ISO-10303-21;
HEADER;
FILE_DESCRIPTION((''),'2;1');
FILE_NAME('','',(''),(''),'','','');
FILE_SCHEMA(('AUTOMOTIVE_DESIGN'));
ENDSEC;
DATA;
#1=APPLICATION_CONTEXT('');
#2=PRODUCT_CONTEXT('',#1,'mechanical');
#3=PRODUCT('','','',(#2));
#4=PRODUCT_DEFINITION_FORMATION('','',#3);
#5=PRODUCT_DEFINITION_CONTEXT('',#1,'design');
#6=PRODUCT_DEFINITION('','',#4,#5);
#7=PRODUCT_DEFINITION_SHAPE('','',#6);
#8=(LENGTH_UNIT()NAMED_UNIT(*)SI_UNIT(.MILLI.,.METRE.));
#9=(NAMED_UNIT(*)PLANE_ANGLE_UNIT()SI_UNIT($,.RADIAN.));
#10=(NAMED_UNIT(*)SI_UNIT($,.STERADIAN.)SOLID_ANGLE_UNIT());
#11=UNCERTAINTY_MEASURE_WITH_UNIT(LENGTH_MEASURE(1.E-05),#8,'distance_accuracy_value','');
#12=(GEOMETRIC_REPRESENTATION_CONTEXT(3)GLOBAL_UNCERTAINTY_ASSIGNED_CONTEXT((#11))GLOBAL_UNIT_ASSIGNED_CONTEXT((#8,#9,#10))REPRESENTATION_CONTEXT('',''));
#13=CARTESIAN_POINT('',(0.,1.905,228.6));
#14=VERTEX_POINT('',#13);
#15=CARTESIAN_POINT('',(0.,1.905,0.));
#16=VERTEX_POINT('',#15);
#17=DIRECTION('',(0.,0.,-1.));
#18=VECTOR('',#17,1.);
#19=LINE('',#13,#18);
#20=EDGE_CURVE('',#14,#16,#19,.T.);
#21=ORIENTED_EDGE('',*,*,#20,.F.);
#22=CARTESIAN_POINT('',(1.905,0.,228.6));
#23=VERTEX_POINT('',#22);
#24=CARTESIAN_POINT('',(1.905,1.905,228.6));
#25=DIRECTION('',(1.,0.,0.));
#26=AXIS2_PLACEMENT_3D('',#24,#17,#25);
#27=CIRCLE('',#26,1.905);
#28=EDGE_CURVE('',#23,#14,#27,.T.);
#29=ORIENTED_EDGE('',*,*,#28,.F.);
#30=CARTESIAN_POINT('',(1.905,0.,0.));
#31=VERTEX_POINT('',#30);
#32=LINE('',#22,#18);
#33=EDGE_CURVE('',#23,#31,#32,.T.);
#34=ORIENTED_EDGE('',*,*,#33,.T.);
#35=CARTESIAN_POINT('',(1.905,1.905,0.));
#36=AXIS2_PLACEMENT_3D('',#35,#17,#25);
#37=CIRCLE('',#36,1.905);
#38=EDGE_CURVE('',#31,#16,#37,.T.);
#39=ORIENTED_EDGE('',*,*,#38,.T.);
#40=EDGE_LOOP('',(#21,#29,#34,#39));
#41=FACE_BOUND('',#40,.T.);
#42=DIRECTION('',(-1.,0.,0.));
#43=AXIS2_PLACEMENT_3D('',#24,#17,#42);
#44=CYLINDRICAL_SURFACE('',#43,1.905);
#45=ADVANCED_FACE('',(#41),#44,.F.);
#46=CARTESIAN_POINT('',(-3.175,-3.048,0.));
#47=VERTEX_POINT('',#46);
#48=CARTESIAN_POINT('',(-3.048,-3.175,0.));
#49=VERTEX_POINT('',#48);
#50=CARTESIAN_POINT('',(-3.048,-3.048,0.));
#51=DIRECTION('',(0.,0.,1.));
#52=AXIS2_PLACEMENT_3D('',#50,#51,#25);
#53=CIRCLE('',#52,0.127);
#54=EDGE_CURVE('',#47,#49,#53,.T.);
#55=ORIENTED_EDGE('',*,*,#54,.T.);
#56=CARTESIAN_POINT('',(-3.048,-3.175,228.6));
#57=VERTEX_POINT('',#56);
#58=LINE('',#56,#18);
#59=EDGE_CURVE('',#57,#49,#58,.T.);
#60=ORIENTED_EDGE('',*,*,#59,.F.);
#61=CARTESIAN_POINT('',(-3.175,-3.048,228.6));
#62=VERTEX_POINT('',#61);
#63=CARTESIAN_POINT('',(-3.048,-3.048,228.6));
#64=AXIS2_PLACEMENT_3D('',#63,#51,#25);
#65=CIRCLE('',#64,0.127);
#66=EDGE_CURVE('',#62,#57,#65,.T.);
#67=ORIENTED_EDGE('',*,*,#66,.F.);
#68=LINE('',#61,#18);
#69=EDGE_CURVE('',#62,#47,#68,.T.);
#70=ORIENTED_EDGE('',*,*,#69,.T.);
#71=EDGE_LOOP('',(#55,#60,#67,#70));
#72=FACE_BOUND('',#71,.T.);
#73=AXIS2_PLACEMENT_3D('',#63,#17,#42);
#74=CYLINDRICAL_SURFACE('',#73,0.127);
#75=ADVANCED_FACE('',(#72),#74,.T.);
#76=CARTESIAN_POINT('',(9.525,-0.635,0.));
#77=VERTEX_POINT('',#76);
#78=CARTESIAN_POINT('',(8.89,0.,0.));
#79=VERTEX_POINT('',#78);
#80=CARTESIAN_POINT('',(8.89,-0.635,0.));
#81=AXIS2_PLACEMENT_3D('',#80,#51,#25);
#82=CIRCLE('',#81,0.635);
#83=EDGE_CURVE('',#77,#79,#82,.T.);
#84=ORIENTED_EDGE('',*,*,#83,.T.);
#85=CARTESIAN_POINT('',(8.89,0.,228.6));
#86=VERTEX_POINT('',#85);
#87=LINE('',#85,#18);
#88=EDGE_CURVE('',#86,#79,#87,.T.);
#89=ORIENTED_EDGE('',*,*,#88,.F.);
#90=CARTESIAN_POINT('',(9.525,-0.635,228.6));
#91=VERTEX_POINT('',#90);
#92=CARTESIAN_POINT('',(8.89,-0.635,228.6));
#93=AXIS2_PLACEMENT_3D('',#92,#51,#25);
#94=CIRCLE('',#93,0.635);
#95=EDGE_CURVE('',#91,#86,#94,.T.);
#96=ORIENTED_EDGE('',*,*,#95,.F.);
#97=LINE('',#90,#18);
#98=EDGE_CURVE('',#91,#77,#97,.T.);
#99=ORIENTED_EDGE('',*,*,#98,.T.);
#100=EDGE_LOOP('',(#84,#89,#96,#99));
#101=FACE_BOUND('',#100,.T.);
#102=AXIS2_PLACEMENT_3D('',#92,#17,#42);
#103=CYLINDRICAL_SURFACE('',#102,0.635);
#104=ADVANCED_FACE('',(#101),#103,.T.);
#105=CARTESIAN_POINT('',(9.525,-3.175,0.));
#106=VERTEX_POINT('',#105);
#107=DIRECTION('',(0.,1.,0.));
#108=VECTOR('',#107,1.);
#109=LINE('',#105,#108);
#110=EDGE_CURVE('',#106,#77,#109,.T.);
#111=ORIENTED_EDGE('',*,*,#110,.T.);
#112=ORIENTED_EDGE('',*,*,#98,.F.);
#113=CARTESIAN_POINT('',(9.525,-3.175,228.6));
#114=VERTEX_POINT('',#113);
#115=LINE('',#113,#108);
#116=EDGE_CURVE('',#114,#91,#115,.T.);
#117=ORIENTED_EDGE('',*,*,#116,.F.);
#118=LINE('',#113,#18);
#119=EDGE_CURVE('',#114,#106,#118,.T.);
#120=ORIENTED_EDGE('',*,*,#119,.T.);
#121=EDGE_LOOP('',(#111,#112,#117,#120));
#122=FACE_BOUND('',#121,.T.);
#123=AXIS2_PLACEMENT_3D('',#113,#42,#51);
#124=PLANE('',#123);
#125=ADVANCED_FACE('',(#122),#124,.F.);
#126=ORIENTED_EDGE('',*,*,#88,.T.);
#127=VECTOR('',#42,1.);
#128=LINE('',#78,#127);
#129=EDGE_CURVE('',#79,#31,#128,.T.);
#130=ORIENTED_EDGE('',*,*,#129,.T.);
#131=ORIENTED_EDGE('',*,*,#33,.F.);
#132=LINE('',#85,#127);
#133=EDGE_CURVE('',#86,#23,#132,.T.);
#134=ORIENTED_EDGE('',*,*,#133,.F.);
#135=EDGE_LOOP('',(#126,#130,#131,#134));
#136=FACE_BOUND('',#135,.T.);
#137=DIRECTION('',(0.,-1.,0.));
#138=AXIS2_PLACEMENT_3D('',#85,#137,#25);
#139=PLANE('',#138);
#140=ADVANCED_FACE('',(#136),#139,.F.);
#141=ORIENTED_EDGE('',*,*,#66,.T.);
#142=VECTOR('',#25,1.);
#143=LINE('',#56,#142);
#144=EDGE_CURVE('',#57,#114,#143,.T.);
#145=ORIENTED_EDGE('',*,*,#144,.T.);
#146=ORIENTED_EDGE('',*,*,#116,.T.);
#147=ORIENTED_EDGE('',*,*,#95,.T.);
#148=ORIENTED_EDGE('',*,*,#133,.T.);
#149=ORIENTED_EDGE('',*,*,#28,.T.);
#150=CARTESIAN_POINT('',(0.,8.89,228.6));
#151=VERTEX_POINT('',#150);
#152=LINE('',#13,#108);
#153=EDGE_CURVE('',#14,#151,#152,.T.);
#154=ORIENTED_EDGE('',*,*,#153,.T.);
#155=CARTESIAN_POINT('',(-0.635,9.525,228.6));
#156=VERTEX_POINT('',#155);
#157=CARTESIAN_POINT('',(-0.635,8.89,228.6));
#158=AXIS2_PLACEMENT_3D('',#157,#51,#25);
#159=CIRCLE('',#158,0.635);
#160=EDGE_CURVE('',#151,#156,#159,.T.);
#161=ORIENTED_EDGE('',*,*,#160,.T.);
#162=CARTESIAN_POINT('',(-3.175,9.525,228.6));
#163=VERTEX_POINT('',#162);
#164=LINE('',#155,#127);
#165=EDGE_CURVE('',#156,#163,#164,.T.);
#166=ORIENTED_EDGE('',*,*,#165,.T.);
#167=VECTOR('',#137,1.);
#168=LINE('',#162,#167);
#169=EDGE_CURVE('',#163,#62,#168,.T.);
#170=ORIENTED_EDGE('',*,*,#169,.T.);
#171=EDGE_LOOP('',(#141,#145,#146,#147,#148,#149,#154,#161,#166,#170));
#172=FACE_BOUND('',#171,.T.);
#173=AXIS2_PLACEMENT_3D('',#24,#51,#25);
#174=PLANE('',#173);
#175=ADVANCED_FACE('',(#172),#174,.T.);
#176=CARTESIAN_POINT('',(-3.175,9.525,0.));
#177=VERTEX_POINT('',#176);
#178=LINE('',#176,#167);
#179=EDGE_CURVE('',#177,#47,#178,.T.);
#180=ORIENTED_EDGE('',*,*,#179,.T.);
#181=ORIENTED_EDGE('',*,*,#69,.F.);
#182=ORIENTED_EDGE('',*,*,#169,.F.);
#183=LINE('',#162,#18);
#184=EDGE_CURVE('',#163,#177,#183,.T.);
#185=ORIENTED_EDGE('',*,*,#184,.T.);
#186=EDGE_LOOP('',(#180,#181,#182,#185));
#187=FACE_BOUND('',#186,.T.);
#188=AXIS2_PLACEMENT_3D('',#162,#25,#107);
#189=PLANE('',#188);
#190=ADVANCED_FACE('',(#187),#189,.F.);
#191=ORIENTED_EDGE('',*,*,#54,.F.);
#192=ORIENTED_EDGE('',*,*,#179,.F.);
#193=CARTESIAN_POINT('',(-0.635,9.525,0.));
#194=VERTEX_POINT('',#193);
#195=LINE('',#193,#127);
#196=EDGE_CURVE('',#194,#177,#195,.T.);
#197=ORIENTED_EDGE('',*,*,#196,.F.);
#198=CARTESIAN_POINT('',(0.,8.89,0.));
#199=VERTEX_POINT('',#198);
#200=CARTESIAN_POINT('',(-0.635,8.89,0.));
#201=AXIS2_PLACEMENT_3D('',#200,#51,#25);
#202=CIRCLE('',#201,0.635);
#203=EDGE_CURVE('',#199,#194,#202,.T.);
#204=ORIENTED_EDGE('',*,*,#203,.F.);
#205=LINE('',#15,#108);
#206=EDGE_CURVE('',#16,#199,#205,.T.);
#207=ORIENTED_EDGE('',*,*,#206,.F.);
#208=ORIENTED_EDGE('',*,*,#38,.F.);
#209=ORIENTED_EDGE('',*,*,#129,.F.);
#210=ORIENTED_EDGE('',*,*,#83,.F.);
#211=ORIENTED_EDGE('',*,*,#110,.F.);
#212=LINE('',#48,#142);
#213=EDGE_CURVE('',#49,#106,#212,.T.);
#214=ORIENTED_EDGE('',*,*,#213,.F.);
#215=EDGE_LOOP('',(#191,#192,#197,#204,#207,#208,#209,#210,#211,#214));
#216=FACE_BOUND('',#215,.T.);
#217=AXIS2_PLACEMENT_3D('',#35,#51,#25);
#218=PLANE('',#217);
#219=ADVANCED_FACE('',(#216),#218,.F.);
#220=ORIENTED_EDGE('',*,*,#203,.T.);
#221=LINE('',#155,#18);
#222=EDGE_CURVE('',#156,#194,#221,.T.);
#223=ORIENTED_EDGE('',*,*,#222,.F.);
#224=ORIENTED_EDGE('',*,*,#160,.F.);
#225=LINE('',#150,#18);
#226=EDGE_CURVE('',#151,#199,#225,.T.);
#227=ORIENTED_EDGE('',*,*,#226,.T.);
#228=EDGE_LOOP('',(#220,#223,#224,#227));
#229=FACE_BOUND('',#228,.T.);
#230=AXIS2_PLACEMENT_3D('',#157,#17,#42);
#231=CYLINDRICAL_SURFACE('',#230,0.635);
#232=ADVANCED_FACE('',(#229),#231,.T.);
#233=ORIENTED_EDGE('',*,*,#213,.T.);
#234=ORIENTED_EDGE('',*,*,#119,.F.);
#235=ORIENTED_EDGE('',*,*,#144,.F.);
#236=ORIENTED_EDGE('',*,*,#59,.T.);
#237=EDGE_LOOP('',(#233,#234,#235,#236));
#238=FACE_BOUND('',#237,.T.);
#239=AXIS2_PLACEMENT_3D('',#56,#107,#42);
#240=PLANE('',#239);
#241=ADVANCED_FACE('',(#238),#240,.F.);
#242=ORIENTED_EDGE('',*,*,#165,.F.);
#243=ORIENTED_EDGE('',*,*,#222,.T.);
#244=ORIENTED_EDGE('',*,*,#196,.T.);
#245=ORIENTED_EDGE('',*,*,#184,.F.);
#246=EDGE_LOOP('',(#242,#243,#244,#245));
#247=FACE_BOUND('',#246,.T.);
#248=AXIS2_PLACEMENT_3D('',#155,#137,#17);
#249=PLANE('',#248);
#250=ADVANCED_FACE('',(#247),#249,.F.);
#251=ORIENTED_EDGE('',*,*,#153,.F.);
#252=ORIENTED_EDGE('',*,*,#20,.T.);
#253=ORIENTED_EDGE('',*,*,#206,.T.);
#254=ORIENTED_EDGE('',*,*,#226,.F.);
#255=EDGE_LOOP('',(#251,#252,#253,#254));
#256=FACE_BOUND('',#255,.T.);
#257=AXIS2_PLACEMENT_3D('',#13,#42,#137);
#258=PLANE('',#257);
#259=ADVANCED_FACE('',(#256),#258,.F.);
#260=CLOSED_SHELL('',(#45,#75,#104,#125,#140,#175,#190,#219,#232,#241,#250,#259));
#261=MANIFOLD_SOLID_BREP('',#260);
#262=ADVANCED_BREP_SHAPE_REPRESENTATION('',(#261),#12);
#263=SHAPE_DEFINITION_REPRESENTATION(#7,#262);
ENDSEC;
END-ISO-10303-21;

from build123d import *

# Parameters (mm, degrees)
BOSS_EXTRUDE1_DEPTH = 228.6


with BuildPart() as part:
    # Sketch3 → Boss-Extrude1 (new body)
    with BuildSketch(Plane.XY):
        with BuildLine():
            Line((0, 1.905), (0, 8.89))
            ThreePointArc((0, 8.89), (-0.185987194, 9.339012806), (-0.635, 9.525))
            Line((-0.635, 9.525), (-3.175, 9.525))
            Line((-3.175, 9.525), (-3.175, -3.048))
            ThreePointArc((-3.175, -3.048), (-3.137802561, -3.137802561), (-3.048, -3.175))
            Line((-3.048, -3.175), (9.525, -3.175))
            Line((9.525, -3.175), (9.525, -0.635))
            ThreePointArc((9.525, -0.635), (9.339012806, -0.185987194), (8.89, 0))
            Line((8.89, 0), (1.905, 0))
            ThreePointArc((1.905, 0), (0.557961582, 0.557961582), (0, 1.905))
        make_face()
    extrude(amount=BOSS_EXTRUDE1_DEPTH)


solid = part.part
